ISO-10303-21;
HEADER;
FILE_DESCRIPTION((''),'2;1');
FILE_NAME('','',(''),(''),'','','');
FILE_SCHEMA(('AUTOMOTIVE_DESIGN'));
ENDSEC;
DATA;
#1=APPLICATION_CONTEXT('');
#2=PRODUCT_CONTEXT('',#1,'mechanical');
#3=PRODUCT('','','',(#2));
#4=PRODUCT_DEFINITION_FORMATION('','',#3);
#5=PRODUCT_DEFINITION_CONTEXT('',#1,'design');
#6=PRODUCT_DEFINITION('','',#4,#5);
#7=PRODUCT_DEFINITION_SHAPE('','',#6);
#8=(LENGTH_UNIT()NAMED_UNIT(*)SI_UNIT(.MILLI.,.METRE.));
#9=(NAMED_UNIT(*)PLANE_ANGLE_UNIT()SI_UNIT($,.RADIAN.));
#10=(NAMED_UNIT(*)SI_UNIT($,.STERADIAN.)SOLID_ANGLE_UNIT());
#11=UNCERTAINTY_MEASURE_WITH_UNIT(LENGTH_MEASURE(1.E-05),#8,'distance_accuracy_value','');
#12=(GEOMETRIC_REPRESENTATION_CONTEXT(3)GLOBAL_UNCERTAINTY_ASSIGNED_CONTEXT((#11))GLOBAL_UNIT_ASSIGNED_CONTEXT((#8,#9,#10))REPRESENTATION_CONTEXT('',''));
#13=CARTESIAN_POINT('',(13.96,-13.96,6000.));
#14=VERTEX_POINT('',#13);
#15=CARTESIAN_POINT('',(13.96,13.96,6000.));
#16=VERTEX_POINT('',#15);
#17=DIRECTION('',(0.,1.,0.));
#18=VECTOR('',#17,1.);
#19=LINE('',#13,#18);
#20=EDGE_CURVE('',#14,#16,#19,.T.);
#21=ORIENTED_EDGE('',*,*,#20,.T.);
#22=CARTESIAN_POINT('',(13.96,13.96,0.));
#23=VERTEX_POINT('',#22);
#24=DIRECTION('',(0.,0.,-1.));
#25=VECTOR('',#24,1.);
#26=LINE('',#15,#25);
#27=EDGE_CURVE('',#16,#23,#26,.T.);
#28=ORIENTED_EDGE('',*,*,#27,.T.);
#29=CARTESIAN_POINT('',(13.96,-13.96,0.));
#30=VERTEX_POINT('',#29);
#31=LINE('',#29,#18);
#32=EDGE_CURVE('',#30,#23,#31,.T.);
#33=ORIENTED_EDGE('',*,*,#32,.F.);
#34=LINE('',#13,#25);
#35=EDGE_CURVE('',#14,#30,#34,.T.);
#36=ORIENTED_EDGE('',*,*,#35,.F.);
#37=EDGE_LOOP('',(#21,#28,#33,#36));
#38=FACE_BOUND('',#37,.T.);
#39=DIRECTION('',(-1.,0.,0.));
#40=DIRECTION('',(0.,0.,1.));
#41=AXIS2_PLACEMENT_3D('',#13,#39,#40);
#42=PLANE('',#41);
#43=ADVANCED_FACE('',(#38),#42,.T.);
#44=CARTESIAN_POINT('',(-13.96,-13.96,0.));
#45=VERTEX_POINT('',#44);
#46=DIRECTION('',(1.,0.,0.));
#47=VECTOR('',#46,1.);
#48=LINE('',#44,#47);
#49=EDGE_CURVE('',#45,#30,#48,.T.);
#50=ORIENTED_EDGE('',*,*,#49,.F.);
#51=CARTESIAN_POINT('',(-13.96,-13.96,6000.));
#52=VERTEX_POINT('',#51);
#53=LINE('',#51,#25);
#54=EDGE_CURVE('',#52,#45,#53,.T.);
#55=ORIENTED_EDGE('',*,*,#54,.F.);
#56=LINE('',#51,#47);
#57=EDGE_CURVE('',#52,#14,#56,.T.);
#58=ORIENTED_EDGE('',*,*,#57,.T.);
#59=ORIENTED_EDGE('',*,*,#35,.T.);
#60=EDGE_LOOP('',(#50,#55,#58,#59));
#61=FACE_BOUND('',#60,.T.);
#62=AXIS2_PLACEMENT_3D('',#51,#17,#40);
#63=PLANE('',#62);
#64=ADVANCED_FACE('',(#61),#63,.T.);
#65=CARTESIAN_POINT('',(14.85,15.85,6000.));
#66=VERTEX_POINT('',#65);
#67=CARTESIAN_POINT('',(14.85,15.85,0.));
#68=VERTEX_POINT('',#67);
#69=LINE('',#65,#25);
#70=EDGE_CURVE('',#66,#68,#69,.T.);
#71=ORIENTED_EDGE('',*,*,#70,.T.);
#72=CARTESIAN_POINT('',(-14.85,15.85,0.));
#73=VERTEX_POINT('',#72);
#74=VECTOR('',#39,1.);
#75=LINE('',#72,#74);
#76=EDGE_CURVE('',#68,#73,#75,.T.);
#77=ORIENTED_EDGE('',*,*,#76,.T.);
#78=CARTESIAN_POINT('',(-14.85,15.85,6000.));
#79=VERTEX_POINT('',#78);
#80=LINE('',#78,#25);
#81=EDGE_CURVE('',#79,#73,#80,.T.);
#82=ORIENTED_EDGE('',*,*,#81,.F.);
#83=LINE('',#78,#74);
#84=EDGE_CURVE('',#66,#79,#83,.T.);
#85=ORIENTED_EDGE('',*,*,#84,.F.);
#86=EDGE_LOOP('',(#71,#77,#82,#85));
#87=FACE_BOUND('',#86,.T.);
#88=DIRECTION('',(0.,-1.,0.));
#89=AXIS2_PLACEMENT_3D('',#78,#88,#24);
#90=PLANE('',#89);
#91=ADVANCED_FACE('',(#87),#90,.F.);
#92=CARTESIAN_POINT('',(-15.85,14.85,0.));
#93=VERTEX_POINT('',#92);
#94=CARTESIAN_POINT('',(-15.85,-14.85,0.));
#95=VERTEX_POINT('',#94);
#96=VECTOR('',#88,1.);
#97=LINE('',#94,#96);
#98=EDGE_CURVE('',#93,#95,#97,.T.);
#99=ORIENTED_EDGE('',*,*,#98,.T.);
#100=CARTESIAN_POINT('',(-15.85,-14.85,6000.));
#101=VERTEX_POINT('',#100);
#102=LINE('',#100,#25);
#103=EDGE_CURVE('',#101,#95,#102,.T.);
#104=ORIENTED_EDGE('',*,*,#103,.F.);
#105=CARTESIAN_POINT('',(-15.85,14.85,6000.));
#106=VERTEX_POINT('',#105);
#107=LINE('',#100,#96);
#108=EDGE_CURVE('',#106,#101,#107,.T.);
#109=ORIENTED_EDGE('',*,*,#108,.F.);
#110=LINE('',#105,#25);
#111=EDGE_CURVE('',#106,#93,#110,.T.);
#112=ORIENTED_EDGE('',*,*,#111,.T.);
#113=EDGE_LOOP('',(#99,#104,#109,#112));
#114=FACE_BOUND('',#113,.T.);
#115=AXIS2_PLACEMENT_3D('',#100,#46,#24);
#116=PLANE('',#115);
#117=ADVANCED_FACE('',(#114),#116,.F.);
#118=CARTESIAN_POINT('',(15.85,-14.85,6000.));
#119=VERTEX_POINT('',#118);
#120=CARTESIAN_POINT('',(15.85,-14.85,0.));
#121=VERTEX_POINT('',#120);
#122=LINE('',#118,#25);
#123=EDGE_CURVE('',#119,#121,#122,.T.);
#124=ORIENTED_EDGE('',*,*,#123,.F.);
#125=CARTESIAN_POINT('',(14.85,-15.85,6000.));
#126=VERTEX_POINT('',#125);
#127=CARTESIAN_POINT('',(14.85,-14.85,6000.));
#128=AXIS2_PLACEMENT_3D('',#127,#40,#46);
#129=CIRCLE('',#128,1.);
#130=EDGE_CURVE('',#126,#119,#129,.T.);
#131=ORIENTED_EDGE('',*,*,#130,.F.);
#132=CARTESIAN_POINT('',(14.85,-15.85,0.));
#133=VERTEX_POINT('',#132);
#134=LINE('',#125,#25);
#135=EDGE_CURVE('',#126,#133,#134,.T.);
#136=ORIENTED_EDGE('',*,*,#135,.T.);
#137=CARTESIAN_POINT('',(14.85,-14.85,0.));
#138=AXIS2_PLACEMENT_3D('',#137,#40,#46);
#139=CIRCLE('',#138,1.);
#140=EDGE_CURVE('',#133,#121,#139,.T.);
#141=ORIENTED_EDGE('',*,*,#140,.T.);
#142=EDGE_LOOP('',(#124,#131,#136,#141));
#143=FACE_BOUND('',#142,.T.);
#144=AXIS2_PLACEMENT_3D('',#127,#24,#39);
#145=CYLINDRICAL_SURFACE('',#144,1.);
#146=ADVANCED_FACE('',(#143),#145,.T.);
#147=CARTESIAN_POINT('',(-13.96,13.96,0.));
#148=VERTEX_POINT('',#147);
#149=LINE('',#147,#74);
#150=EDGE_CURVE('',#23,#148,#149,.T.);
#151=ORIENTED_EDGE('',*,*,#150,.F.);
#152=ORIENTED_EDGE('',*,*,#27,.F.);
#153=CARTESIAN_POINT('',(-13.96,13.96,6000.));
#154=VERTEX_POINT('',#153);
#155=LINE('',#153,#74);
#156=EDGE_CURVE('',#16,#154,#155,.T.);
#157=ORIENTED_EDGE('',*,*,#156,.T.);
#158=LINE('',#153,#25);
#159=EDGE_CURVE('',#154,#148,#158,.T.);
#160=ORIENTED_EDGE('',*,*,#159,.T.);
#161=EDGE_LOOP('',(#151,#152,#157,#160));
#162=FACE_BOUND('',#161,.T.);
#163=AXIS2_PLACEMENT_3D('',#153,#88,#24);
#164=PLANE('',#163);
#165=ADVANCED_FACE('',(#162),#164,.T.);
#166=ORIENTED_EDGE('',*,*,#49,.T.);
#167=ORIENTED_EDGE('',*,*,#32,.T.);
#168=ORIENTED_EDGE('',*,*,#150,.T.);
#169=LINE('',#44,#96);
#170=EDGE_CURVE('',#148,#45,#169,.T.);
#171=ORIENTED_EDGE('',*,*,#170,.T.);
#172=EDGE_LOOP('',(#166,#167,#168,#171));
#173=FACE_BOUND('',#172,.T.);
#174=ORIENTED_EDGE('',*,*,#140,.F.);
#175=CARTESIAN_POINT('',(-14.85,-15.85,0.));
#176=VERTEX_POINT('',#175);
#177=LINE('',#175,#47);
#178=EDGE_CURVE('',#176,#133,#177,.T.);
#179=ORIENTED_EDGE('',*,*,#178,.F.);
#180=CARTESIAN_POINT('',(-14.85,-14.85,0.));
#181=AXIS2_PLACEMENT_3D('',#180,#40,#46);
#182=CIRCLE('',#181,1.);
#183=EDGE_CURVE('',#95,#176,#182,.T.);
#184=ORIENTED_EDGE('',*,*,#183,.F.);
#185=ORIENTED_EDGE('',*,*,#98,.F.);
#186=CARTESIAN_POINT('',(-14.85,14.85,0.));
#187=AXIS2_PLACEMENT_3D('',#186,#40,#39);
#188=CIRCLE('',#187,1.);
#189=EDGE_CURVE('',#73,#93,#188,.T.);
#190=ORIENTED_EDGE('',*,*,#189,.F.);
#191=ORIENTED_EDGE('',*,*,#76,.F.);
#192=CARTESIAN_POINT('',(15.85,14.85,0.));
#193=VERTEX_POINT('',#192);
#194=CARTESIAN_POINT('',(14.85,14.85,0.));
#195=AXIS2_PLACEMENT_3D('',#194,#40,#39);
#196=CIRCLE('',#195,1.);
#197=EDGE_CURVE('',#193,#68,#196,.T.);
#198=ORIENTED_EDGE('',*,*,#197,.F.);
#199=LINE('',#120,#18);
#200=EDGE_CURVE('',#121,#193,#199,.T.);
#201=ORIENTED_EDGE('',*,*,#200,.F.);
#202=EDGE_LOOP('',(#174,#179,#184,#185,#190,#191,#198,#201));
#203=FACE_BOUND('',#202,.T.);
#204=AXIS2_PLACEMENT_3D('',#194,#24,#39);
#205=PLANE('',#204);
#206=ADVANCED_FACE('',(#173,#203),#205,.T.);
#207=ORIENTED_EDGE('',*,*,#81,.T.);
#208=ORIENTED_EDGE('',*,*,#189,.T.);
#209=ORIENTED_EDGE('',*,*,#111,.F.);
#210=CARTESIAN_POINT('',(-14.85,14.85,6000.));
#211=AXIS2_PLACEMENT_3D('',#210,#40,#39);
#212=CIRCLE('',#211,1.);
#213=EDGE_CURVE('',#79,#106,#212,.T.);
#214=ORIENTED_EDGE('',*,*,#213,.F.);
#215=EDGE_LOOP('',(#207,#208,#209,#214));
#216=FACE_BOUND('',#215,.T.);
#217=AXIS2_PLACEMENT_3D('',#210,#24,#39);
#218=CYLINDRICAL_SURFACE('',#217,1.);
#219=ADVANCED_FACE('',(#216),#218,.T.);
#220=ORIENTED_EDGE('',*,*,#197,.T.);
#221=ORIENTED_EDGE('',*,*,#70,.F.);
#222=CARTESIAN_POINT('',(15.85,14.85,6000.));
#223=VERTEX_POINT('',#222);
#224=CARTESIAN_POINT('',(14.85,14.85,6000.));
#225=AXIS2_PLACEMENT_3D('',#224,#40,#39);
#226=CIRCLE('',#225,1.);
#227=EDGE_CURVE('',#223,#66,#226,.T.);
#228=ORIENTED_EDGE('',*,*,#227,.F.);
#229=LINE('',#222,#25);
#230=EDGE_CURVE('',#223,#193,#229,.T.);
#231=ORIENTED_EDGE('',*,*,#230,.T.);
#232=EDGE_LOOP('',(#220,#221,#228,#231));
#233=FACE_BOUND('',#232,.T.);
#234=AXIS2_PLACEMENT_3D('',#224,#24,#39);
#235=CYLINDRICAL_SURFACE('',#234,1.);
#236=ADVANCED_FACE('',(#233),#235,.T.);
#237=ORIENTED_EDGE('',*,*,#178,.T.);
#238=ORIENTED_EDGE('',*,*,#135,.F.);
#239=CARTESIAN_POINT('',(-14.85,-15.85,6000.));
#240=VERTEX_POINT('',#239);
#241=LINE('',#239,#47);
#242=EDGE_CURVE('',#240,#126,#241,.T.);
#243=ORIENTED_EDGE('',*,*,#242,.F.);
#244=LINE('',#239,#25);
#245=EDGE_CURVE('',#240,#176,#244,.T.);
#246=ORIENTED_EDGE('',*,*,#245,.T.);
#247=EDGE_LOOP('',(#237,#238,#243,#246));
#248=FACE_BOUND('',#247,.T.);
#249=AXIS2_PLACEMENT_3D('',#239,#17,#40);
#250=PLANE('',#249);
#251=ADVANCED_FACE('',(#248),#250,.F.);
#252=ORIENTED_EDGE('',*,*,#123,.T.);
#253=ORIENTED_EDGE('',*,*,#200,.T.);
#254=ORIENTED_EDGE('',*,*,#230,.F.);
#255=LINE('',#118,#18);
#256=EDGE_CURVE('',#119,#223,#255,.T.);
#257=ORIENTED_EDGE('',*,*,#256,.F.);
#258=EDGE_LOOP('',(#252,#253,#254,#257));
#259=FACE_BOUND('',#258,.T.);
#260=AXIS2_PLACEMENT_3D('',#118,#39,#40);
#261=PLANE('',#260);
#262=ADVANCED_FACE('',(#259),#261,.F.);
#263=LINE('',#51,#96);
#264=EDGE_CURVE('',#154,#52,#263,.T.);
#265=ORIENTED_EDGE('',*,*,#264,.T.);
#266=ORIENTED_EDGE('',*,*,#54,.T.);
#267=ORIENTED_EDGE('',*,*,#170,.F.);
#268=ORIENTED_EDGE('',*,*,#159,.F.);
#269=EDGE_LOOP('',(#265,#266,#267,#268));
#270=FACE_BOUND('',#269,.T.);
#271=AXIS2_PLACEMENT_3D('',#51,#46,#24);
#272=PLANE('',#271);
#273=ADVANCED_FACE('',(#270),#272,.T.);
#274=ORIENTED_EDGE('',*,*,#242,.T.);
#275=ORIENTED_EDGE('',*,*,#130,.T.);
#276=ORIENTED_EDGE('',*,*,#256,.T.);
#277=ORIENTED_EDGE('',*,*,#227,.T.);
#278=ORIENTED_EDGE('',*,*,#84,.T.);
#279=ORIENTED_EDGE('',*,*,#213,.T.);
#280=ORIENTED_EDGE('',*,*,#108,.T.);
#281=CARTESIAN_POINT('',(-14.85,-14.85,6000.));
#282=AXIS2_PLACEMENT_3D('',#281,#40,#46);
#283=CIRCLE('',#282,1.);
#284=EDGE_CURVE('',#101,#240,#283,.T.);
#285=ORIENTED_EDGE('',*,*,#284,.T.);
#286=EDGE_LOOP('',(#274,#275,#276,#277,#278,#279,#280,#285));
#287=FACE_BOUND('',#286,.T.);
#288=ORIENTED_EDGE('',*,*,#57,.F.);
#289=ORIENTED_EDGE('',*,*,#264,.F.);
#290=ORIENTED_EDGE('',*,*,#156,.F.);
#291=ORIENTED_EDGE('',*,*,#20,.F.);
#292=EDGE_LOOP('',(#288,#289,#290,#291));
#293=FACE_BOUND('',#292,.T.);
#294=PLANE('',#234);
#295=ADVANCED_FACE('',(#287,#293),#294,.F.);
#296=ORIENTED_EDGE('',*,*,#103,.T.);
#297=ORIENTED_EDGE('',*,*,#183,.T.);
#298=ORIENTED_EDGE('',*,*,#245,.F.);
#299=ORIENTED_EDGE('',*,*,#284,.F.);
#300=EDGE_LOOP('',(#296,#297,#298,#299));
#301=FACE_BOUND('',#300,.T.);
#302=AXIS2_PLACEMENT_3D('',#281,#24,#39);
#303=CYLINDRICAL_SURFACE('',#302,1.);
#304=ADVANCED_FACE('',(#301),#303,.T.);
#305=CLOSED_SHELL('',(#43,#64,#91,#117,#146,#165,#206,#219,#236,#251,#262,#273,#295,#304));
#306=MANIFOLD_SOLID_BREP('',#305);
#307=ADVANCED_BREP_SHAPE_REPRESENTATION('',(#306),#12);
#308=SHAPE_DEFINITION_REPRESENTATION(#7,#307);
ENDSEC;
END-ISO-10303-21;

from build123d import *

# Parameters (mm, degrees)
CROQUIS1_W              = 27.92
CROQUIS1_H              = 27.92
SALIENTE_EXTRUIR1_DEPTH = 6000


with BuildPart() as part:
    # Croquis1 → Saliente-Extruir1 (new body)
    with BuildSketch(Plane.XY):
        with BuildLine():
            Line((-14.85, -15.85), (14.85, -15.85))
            ThreePointArc((14.85, -15.85), (15.557106781, -15.557106781), (15.85, -14.85))
            Line((15.85, -14.85), (15.85, 14.85))
            ThreePointArc((15.85, 14.85), (15.557106781, 15.557106781), (14.85, 15.85))
            Line((14.85, 15.85), (-14.85, 15.85))
            ThreePointArc((-14.85, 15.85), (-15.557106781, 15.557106781), (-15.85, 14.85))
            Line((-15.85, 14.85), (-15.85, -14.85))
            ThreePointArc((-15.85, -14.85), (-15.557106781, -15.557106781), (-14.85, -15.85))
        make_face()
        Rectangle(CROQUIS1_W, CROQUIS1_H, mode=Mode.SUBTRACT)
    extrude(amount=SALIENTE_EXTRUIR1_DEPTH)


solid = part.part
